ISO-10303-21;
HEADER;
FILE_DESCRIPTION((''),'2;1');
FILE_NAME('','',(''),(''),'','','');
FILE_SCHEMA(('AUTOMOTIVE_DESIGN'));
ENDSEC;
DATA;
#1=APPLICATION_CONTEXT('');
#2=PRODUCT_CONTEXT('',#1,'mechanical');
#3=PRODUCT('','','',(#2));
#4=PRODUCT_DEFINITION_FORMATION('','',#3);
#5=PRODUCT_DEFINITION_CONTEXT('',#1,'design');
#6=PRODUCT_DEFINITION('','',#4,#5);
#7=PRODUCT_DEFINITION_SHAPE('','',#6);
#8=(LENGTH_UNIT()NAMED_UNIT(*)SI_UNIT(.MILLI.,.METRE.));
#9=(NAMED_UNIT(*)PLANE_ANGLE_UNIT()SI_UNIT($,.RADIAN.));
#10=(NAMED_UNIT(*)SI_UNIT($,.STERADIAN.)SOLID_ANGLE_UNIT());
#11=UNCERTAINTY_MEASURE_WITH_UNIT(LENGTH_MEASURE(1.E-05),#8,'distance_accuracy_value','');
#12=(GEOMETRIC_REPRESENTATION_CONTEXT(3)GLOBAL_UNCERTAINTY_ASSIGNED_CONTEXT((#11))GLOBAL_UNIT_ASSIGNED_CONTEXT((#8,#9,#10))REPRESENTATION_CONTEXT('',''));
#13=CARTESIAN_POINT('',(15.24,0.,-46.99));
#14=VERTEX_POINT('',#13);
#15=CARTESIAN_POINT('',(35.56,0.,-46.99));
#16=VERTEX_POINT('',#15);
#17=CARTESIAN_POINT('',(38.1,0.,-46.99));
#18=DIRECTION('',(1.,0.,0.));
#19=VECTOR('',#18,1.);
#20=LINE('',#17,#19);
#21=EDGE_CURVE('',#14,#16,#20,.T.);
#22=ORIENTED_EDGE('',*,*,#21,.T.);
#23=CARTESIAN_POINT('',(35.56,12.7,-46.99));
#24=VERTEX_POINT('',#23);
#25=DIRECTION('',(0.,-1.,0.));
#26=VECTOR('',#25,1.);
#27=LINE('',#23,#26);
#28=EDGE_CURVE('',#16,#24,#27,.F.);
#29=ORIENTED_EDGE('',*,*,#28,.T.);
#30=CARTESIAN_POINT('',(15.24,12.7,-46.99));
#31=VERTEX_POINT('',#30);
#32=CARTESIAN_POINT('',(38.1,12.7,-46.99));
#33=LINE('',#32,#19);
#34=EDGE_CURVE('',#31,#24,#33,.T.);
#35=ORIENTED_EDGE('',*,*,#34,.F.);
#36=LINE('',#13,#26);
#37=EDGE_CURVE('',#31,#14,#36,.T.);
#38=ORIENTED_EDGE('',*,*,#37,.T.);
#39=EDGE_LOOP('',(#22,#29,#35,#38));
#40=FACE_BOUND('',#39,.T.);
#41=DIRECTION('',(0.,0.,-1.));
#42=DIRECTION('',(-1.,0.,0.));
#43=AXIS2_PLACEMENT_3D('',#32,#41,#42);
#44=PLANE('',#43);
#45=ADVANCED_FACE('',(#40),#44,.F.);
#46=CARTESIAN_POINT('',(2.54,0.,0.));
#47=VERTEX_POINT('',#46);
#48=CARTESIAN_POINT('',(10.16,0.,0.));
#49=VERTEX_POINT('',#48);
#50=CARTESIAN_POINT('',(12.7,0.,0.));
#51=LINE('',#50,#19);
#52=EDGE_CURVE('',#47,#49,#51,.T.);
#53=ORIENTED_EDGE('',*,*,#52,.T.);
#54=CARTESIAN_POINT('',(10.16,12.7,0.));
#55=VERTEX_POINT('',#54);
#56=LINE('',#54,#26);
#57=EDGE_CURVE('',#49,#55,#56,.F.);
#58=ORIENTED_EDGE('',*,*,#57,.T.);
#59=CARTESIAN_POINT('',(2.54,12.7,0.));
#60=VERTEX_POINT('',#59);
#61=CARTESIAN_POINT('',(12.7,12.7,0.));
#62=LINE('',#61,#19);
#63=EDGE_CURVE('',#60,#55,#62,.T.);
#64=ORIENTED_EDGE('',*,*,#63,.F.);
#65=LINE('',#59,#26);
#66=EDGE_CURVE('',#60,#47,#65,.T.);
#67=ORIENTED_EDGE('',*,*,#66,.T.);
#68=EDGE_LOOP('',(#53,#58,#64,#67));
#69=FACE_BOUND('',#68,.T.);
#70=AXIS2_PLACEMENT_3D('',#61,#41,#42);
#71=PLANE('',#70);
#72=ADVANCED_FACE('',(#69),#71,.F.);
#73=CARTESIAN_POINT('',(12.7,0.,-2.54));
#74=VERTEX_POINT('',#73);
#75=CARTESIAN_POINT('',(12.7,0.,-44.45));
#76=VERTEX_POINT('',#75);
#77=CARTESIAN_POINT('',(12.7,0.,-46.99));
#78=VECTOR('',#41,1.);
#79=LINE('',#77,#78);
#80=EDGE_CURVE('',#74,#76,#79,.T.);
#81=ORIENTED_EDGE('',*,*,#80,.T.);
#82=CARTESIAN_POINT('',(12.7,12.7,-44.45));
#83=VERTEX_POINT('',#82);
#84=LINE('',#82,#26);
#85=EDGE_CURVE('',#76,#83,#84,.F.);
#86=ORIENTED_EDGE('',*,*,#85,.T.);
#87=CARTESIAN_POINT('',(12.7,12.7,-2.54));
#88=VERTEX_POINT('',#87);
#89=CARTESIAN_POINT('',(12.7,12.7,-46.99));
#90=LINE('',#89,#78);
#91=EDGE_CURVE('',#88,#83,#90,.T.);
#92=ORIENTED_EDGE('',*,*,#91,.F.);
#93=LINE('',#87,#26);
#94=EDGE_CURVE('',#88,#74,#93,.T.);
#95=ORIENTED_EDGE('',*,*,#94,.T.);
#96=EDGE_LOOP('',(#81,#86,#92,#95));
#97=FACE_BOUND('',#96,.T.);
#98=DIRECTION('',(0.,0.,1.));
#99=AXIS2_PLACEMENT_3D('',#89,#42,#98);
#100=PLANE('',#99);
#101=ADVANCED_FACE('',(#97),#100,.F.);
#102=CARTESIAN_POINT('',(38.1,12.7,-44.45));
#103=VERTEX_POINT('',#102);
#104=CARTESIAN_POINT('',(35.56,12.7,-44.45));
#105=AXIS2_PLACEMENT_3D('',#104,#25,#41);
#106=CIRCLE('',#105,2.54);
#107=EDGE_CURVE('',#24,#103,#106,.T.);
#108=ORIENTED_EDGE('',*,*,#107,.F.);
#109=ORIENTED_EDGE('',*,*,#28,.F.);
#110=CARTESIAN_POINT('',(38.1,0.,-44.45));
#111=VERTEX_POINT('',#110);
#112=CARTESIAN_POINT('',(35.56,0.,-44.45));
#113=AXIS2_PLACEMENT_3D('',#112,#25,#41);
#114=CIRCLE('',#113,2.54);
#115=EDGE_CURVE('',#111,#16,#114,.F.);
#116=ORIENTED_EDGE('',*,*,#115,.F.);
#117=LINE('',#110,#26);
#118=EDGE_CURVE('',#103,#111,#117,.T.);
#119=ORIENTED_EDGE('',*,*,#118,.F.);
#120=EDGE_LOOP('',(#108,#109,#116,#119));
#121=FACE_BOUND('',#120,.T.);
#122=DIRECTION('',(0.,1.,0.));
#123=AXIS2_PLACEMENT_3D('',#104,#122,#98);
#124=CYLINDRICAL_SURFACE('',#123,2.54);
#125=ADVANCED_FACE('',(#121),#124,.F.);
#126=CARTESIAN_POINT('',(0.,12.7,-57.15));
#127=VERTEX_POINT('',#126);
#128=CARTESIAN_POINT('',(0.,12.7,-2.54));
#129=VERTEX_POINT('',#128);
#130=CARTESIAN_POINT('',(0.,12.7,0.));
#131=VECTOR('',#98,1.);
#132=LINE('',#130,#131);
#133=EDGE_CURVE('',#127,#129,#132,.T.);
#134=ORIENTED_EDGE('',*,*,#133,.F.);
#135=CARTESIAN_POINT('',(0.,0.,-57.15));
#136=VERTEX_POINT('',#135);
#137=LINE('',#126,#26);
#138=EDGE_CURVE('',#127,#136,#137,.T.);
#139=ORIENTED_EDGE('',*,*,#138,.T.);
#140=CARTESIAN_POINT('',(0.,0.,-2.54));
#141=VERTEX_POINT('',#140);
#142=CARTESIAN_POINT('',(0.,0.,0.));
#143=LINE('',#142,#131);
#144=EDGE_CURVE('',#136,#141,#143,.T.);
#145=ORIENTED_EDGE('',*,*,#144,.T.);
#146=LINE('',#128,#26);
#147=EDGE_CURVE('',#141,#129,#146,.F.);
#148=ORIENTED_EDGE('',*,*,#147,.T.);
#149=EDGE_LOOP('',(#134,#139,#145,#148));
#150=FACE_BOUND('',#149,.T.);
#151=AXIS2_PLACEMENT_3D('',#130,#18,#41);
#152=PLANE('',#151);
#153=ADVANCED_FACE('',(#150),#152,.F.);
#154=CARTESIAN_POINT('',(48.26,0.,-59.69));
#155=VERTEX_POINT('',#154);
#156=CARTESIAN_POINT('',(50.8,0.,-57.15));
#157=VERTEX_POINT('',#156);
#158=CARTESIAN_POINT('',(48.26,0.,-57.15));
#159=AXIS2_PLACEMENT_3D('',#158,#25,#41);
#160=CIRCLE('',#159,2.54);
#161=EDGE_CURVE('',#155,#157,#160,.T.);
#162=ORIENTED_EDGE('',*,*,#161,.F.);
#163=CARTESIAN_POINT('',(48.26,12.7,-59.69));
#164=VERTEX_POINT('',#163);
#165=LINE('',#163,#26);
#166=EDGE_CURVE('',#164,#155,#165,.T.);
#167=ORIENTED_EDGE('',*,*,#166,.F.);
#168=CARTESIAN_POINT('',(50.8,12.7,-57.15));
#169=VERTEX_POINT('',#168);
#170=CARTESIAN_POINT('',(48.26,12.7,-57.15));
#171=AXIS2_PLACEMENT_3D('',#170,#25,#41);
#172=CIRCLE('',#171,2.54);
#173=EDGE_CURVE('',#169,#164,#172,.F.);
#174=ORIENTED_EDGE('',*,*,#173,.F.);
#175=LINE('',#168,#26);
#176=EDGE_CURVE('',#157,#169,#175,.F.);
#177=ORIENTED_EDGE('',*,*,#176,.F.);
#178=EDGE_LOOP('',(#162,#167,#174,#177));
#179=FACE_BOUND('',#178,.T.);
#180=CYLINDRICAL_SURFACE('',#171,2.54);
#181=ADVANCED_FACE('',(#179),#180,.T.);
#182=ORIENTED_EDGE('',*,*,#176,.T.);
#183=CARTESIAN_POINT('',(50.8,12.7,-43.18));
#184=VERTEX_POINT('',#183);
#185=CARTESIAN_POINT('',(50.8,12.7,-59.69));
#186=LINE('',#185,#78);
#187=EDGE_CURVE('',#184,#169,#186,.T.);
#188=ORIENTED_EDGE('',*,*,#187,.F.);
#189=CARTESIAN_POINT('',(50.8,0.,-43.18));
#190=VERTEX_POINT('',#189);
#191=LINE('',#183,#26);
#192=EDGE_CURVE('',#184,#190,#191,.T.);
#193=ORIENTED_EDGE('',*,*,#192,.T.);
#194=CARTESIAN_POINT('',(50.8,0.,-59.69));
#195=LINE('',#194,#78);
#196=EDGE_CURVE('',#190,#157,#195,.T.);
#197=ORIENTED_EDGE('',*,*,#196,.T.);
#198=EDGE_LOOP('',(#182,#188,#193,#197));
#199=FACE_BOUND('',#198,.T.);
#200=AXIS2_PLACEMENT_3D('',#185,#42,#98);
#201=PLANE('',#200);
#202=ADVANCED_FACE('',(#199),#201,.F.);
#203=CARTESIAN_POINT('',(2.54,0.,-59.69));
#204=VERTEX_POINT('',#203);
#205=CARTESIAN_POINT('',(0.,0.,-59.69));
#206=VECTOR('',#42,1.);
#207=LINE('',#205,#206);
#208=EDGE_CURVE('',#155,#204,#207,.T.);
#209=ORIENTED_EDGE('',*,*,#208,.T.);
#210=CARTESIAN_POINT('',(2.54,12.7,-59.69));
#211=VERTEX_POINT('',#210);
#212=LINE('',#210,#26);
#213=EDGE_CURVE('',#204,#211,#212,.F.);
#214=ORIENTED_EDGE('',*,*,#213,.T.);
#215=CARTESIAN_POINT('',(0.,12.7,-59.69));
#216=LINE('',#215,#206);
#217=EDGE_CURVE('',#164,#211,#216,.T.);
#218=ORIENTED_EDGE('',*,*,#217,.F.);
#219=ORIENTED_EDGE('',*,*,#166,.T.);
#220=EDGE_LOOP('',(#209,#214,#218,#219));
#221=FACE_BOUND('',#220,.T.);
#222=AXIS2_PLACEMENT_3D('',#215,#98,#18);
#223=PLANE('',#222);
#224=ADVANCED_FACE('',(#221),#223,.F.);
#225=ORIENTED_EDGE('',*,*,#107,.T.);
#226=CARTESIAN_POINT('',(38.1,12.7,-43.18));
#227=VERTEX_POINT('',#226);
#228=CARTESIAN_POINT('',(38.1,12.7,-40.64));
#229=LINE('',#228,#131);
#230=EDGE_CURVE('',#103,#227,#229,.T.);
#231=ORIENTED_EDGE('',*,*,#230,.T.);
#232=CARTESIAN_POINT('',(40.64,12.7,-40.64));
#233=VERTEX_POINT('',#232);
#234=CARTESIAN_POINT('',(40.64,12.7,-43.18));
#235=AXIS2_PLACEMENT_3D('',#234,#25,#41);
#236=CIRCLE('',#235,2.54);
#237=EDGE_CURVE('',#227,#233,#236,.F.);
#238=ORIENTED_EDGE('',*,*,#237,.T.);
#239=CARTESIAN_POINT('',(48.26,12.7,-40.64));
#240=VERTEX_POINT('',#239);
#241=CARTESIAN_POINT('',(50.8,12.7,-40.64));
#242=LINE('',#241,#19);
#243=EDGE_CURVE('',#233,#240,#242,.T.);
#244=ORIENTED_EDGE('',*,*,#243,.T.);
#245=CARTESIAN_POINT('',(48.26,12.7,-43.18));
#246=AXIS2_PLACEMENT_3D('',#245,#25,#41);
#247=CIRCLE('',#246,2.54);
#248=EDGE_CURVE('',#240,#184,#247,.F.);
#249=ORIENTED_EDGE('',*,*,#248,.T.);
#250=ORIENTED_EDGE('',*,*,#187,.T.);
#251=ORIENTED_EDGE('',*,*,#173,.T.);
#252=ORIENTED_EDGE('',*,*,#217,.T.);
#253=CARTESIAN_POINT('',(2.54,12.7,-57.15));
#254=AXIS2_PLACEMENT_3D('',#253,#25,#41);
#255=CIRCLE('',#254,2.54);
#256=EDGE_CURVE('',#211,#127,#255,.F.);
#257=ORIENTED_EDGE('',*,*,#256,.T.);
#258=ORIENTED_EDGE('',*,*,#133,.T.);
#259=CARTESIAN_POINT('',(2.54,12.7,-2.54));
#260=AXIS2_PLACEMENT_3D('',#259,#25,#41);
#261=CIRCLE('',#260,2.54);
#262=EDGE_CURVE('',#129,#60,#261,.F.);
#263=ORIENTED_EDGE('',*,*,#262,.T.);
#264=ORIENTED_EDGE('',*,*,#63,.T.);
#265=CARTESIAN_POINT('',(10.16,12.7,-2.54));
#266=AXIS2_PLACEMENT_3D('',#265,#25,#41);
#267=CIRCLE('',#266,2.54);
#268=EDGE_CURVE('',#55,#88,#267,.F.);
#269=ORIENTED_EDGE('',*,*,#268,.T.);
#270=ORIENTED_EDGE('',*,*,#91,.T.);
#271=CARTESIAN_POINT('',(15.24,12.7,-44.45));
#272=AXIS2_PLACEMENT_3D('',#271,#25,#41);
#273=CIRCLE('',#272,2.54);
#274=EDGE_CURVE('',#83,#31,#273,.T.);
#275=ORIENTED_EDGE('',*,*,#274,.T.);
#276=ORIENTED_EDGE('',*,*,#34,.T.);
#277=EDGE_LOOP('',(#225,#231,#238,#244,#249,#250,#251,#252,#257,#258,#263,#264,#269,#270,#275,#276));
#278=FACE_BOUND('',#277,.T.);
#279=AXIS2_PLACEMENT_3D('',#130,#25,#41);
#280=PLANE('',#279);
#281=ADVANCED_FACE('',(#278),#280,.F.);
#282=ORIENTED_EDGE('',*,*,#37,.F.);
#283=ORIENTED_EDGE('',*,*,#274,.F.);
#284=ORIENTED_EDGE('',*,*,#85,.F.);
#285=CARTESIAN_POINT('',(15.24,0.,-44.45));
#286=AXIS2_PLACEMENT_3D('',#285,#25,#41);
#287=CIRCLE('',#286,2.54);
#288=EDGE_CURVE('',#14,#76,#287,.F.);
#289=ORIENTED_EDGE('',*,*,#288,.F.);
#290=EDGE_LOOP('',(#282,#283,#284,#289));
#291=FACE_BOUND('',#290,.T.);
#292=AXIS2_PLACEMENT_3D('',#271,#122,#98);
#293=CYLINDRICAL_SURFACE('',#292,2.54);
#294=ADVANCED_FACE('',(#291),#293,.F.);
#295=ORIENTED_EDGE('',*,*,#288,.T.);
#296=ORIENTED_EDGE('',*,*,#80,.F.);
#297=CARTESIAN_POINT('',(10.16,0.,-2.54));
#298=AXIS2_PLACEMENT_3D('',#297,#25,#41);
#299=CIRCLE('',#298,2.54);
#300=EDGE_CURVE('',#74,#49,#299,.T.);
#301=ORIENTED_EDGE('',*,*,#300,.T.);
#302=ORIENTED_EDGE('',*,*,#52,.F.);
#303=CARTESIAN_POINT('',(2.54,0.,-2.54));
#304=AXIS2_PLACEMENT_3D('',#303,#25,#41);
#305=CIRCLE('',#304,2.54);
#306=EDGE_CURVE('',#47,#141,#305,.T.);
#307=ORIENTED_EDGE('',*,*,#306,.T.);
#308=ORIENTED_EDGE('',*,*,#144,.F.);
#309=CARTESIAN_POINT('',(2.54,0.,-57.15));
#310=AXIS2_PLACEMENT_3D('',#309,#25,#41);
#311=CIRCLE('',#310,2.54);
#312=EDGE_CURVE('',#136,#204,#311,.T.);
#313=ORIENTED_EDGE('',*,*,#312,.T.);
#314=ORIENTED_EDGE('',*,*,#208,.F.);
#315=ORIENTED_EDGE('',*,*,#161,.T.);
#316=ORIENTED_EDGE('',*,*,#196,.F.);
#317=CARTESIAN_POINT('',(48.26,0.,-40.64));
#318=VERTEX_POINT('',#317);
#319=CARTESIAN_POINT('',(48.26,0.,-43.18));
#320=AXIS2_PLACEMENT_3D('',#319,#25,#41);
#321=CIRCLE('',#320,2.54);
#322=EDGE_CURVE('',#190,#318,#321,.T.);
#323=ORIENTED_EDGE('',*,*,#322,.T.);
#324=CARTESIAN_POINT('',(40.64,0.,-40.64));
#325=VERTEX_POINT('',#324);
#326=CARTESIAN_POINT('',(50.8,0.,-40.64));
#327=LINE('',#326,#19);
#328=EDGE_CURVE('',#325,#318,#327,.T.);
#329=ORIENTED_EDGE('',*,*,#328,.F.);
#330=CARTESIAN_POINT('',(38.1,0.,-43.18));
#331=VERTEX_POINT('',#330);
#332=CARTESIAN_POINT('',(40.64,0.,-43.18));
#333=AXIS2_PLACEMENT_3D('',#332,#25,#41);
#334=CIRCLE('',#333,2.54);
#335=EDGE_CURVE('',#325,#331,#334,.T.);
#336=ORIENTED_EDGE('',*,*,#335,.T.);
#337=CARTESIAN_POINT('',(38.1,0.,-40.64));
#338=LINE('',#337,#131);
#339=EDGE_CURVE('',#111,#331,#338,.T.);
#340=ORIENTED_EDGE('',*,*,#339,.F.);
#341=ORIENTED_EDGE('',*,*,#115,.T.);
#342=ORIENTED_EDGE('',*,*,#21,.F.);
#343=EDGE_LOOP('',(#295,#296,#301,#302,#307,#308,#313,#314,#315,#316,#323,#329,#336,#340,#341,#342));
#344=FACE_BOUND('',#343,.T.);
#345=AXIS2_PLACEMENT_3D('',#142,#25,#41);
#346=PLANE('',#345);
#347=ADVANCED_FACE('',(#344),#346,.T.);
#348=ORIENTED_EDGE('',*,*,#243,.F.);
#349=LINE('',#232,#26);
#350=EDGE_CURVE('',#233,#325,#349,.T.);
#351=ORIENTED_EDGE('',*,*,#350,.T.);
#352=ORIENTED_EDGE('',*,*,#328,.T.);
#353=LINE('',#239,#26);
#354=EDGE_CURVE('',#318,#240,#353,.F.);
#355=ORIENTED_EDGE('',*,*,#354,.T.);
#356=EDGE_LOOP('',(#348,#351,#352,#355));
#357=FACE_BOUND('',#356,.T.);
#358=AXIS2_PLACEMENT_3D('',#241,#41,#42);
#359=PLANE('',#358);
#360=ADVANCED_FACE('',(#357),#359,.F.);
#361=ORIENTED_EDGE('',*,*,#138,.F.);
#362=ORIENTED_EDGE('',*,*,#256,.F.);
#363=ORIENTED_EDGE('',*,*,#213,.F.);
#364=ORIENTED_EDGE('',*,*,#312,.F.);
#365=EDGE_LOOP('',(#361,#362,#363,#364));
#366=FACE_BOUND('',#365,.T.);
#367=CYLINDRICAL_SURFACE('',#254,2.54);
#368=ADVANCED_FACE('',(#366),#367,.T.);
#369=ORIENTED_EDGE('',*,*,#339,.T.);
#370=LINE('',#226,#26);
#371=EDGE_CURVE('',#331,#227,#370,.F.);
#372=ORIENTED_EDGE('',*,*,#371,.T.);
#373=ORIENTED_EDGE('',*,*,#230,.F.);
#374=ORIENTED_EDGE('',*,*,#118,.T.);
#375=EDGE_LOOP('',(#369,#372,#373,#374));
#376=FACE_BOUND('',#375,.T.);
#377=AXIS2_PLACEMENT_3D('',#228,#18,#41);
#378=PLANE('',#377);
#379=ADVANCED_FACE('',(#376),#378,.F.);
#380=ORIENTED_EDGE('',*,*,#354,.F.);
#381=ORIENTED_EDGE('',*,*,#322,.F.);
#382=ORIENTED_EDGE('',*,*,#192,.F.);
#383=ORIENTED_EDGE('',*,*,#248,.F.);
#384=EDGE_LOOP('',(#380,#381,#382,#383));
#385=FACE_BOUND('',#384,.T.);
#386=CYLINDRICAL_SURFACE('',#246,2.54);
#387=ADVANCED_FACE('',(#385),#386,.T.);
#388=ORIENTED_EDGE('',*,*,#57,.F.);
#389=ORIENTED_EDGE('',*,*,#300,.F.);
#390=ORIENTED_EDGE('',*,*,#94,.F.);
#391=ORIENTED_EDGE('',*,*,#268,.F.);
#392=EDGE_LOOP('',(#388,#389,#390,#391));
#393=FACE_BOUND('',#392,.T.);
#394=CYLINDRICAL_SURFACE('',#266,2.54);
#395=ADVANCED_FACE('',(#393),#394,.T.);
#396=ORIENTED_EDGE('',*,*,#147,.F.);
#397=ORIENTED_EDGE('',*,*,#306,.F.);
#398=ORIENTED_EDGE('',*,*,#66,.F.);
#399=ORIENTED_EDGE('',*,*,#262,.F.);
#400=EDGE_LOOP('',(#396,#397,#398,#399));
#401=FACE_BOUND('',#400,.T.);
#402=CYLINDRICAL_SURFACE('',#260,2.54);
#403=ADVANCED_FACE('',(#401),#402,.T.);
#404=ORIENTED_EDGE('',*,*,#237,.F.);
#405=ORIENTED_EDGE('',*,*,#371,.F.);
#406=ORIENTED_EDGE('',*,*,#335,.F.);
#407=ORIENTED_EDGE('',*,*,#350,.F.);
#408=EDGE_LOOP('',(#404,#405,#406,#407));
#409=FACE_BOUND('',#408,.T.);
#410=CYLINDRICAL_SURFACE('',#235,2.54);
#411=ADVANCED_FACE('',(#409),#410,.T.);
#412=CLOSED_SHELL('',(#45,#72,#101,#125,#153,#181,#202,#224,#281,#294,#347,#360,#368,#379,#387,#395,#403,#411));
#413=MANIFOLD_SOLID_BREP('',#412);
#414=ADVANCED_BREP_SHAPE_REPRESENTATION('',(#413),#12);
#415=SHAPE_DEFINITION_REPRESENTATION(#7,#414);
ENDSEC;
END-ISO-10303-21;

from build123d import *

# Parameters (mm, degrees)
BOSS_EXTRUDE1_DEPTH = 12.7
FILLET1_R           = 2.54


with BuildPart() as part:
    # Sketch1 → Boss-Extrude1 (new body)
    with BuildSketch(Plane(origin=(0, 0, 0), x_dir=(1, 0, 0), z_dir=(0, 1, 0))):
        Polygon((0, 0), (0, 59.69), (50.8, 59.69), (50.8, 40.64), (38.1, 40.64), (38.1, 46.99), (12.7, 46.99), (12.7, 0), align=None)
    extrude(amount=BOSS_EXTRUDE1_DEPTH)

    # Fillet1
    fillet1_edges = [part.edges().sort_by_distance(p)[0] for p in [
        (0, 6.35, 0),
        (0, 6.35, -59.69),
        (50.8, 6.35, -59.69),
        (50.8, 6.35, -40.64),
        (38.1, 6.35, -40.64),
        (38.1, 6.35, -46.99),
        (12.7, 6.35, -46.99),
        (12.7, 6.35, 0),
    ]]
    fillet(fillet1_edges, radius=FILLET1_R)


solid = part.part
